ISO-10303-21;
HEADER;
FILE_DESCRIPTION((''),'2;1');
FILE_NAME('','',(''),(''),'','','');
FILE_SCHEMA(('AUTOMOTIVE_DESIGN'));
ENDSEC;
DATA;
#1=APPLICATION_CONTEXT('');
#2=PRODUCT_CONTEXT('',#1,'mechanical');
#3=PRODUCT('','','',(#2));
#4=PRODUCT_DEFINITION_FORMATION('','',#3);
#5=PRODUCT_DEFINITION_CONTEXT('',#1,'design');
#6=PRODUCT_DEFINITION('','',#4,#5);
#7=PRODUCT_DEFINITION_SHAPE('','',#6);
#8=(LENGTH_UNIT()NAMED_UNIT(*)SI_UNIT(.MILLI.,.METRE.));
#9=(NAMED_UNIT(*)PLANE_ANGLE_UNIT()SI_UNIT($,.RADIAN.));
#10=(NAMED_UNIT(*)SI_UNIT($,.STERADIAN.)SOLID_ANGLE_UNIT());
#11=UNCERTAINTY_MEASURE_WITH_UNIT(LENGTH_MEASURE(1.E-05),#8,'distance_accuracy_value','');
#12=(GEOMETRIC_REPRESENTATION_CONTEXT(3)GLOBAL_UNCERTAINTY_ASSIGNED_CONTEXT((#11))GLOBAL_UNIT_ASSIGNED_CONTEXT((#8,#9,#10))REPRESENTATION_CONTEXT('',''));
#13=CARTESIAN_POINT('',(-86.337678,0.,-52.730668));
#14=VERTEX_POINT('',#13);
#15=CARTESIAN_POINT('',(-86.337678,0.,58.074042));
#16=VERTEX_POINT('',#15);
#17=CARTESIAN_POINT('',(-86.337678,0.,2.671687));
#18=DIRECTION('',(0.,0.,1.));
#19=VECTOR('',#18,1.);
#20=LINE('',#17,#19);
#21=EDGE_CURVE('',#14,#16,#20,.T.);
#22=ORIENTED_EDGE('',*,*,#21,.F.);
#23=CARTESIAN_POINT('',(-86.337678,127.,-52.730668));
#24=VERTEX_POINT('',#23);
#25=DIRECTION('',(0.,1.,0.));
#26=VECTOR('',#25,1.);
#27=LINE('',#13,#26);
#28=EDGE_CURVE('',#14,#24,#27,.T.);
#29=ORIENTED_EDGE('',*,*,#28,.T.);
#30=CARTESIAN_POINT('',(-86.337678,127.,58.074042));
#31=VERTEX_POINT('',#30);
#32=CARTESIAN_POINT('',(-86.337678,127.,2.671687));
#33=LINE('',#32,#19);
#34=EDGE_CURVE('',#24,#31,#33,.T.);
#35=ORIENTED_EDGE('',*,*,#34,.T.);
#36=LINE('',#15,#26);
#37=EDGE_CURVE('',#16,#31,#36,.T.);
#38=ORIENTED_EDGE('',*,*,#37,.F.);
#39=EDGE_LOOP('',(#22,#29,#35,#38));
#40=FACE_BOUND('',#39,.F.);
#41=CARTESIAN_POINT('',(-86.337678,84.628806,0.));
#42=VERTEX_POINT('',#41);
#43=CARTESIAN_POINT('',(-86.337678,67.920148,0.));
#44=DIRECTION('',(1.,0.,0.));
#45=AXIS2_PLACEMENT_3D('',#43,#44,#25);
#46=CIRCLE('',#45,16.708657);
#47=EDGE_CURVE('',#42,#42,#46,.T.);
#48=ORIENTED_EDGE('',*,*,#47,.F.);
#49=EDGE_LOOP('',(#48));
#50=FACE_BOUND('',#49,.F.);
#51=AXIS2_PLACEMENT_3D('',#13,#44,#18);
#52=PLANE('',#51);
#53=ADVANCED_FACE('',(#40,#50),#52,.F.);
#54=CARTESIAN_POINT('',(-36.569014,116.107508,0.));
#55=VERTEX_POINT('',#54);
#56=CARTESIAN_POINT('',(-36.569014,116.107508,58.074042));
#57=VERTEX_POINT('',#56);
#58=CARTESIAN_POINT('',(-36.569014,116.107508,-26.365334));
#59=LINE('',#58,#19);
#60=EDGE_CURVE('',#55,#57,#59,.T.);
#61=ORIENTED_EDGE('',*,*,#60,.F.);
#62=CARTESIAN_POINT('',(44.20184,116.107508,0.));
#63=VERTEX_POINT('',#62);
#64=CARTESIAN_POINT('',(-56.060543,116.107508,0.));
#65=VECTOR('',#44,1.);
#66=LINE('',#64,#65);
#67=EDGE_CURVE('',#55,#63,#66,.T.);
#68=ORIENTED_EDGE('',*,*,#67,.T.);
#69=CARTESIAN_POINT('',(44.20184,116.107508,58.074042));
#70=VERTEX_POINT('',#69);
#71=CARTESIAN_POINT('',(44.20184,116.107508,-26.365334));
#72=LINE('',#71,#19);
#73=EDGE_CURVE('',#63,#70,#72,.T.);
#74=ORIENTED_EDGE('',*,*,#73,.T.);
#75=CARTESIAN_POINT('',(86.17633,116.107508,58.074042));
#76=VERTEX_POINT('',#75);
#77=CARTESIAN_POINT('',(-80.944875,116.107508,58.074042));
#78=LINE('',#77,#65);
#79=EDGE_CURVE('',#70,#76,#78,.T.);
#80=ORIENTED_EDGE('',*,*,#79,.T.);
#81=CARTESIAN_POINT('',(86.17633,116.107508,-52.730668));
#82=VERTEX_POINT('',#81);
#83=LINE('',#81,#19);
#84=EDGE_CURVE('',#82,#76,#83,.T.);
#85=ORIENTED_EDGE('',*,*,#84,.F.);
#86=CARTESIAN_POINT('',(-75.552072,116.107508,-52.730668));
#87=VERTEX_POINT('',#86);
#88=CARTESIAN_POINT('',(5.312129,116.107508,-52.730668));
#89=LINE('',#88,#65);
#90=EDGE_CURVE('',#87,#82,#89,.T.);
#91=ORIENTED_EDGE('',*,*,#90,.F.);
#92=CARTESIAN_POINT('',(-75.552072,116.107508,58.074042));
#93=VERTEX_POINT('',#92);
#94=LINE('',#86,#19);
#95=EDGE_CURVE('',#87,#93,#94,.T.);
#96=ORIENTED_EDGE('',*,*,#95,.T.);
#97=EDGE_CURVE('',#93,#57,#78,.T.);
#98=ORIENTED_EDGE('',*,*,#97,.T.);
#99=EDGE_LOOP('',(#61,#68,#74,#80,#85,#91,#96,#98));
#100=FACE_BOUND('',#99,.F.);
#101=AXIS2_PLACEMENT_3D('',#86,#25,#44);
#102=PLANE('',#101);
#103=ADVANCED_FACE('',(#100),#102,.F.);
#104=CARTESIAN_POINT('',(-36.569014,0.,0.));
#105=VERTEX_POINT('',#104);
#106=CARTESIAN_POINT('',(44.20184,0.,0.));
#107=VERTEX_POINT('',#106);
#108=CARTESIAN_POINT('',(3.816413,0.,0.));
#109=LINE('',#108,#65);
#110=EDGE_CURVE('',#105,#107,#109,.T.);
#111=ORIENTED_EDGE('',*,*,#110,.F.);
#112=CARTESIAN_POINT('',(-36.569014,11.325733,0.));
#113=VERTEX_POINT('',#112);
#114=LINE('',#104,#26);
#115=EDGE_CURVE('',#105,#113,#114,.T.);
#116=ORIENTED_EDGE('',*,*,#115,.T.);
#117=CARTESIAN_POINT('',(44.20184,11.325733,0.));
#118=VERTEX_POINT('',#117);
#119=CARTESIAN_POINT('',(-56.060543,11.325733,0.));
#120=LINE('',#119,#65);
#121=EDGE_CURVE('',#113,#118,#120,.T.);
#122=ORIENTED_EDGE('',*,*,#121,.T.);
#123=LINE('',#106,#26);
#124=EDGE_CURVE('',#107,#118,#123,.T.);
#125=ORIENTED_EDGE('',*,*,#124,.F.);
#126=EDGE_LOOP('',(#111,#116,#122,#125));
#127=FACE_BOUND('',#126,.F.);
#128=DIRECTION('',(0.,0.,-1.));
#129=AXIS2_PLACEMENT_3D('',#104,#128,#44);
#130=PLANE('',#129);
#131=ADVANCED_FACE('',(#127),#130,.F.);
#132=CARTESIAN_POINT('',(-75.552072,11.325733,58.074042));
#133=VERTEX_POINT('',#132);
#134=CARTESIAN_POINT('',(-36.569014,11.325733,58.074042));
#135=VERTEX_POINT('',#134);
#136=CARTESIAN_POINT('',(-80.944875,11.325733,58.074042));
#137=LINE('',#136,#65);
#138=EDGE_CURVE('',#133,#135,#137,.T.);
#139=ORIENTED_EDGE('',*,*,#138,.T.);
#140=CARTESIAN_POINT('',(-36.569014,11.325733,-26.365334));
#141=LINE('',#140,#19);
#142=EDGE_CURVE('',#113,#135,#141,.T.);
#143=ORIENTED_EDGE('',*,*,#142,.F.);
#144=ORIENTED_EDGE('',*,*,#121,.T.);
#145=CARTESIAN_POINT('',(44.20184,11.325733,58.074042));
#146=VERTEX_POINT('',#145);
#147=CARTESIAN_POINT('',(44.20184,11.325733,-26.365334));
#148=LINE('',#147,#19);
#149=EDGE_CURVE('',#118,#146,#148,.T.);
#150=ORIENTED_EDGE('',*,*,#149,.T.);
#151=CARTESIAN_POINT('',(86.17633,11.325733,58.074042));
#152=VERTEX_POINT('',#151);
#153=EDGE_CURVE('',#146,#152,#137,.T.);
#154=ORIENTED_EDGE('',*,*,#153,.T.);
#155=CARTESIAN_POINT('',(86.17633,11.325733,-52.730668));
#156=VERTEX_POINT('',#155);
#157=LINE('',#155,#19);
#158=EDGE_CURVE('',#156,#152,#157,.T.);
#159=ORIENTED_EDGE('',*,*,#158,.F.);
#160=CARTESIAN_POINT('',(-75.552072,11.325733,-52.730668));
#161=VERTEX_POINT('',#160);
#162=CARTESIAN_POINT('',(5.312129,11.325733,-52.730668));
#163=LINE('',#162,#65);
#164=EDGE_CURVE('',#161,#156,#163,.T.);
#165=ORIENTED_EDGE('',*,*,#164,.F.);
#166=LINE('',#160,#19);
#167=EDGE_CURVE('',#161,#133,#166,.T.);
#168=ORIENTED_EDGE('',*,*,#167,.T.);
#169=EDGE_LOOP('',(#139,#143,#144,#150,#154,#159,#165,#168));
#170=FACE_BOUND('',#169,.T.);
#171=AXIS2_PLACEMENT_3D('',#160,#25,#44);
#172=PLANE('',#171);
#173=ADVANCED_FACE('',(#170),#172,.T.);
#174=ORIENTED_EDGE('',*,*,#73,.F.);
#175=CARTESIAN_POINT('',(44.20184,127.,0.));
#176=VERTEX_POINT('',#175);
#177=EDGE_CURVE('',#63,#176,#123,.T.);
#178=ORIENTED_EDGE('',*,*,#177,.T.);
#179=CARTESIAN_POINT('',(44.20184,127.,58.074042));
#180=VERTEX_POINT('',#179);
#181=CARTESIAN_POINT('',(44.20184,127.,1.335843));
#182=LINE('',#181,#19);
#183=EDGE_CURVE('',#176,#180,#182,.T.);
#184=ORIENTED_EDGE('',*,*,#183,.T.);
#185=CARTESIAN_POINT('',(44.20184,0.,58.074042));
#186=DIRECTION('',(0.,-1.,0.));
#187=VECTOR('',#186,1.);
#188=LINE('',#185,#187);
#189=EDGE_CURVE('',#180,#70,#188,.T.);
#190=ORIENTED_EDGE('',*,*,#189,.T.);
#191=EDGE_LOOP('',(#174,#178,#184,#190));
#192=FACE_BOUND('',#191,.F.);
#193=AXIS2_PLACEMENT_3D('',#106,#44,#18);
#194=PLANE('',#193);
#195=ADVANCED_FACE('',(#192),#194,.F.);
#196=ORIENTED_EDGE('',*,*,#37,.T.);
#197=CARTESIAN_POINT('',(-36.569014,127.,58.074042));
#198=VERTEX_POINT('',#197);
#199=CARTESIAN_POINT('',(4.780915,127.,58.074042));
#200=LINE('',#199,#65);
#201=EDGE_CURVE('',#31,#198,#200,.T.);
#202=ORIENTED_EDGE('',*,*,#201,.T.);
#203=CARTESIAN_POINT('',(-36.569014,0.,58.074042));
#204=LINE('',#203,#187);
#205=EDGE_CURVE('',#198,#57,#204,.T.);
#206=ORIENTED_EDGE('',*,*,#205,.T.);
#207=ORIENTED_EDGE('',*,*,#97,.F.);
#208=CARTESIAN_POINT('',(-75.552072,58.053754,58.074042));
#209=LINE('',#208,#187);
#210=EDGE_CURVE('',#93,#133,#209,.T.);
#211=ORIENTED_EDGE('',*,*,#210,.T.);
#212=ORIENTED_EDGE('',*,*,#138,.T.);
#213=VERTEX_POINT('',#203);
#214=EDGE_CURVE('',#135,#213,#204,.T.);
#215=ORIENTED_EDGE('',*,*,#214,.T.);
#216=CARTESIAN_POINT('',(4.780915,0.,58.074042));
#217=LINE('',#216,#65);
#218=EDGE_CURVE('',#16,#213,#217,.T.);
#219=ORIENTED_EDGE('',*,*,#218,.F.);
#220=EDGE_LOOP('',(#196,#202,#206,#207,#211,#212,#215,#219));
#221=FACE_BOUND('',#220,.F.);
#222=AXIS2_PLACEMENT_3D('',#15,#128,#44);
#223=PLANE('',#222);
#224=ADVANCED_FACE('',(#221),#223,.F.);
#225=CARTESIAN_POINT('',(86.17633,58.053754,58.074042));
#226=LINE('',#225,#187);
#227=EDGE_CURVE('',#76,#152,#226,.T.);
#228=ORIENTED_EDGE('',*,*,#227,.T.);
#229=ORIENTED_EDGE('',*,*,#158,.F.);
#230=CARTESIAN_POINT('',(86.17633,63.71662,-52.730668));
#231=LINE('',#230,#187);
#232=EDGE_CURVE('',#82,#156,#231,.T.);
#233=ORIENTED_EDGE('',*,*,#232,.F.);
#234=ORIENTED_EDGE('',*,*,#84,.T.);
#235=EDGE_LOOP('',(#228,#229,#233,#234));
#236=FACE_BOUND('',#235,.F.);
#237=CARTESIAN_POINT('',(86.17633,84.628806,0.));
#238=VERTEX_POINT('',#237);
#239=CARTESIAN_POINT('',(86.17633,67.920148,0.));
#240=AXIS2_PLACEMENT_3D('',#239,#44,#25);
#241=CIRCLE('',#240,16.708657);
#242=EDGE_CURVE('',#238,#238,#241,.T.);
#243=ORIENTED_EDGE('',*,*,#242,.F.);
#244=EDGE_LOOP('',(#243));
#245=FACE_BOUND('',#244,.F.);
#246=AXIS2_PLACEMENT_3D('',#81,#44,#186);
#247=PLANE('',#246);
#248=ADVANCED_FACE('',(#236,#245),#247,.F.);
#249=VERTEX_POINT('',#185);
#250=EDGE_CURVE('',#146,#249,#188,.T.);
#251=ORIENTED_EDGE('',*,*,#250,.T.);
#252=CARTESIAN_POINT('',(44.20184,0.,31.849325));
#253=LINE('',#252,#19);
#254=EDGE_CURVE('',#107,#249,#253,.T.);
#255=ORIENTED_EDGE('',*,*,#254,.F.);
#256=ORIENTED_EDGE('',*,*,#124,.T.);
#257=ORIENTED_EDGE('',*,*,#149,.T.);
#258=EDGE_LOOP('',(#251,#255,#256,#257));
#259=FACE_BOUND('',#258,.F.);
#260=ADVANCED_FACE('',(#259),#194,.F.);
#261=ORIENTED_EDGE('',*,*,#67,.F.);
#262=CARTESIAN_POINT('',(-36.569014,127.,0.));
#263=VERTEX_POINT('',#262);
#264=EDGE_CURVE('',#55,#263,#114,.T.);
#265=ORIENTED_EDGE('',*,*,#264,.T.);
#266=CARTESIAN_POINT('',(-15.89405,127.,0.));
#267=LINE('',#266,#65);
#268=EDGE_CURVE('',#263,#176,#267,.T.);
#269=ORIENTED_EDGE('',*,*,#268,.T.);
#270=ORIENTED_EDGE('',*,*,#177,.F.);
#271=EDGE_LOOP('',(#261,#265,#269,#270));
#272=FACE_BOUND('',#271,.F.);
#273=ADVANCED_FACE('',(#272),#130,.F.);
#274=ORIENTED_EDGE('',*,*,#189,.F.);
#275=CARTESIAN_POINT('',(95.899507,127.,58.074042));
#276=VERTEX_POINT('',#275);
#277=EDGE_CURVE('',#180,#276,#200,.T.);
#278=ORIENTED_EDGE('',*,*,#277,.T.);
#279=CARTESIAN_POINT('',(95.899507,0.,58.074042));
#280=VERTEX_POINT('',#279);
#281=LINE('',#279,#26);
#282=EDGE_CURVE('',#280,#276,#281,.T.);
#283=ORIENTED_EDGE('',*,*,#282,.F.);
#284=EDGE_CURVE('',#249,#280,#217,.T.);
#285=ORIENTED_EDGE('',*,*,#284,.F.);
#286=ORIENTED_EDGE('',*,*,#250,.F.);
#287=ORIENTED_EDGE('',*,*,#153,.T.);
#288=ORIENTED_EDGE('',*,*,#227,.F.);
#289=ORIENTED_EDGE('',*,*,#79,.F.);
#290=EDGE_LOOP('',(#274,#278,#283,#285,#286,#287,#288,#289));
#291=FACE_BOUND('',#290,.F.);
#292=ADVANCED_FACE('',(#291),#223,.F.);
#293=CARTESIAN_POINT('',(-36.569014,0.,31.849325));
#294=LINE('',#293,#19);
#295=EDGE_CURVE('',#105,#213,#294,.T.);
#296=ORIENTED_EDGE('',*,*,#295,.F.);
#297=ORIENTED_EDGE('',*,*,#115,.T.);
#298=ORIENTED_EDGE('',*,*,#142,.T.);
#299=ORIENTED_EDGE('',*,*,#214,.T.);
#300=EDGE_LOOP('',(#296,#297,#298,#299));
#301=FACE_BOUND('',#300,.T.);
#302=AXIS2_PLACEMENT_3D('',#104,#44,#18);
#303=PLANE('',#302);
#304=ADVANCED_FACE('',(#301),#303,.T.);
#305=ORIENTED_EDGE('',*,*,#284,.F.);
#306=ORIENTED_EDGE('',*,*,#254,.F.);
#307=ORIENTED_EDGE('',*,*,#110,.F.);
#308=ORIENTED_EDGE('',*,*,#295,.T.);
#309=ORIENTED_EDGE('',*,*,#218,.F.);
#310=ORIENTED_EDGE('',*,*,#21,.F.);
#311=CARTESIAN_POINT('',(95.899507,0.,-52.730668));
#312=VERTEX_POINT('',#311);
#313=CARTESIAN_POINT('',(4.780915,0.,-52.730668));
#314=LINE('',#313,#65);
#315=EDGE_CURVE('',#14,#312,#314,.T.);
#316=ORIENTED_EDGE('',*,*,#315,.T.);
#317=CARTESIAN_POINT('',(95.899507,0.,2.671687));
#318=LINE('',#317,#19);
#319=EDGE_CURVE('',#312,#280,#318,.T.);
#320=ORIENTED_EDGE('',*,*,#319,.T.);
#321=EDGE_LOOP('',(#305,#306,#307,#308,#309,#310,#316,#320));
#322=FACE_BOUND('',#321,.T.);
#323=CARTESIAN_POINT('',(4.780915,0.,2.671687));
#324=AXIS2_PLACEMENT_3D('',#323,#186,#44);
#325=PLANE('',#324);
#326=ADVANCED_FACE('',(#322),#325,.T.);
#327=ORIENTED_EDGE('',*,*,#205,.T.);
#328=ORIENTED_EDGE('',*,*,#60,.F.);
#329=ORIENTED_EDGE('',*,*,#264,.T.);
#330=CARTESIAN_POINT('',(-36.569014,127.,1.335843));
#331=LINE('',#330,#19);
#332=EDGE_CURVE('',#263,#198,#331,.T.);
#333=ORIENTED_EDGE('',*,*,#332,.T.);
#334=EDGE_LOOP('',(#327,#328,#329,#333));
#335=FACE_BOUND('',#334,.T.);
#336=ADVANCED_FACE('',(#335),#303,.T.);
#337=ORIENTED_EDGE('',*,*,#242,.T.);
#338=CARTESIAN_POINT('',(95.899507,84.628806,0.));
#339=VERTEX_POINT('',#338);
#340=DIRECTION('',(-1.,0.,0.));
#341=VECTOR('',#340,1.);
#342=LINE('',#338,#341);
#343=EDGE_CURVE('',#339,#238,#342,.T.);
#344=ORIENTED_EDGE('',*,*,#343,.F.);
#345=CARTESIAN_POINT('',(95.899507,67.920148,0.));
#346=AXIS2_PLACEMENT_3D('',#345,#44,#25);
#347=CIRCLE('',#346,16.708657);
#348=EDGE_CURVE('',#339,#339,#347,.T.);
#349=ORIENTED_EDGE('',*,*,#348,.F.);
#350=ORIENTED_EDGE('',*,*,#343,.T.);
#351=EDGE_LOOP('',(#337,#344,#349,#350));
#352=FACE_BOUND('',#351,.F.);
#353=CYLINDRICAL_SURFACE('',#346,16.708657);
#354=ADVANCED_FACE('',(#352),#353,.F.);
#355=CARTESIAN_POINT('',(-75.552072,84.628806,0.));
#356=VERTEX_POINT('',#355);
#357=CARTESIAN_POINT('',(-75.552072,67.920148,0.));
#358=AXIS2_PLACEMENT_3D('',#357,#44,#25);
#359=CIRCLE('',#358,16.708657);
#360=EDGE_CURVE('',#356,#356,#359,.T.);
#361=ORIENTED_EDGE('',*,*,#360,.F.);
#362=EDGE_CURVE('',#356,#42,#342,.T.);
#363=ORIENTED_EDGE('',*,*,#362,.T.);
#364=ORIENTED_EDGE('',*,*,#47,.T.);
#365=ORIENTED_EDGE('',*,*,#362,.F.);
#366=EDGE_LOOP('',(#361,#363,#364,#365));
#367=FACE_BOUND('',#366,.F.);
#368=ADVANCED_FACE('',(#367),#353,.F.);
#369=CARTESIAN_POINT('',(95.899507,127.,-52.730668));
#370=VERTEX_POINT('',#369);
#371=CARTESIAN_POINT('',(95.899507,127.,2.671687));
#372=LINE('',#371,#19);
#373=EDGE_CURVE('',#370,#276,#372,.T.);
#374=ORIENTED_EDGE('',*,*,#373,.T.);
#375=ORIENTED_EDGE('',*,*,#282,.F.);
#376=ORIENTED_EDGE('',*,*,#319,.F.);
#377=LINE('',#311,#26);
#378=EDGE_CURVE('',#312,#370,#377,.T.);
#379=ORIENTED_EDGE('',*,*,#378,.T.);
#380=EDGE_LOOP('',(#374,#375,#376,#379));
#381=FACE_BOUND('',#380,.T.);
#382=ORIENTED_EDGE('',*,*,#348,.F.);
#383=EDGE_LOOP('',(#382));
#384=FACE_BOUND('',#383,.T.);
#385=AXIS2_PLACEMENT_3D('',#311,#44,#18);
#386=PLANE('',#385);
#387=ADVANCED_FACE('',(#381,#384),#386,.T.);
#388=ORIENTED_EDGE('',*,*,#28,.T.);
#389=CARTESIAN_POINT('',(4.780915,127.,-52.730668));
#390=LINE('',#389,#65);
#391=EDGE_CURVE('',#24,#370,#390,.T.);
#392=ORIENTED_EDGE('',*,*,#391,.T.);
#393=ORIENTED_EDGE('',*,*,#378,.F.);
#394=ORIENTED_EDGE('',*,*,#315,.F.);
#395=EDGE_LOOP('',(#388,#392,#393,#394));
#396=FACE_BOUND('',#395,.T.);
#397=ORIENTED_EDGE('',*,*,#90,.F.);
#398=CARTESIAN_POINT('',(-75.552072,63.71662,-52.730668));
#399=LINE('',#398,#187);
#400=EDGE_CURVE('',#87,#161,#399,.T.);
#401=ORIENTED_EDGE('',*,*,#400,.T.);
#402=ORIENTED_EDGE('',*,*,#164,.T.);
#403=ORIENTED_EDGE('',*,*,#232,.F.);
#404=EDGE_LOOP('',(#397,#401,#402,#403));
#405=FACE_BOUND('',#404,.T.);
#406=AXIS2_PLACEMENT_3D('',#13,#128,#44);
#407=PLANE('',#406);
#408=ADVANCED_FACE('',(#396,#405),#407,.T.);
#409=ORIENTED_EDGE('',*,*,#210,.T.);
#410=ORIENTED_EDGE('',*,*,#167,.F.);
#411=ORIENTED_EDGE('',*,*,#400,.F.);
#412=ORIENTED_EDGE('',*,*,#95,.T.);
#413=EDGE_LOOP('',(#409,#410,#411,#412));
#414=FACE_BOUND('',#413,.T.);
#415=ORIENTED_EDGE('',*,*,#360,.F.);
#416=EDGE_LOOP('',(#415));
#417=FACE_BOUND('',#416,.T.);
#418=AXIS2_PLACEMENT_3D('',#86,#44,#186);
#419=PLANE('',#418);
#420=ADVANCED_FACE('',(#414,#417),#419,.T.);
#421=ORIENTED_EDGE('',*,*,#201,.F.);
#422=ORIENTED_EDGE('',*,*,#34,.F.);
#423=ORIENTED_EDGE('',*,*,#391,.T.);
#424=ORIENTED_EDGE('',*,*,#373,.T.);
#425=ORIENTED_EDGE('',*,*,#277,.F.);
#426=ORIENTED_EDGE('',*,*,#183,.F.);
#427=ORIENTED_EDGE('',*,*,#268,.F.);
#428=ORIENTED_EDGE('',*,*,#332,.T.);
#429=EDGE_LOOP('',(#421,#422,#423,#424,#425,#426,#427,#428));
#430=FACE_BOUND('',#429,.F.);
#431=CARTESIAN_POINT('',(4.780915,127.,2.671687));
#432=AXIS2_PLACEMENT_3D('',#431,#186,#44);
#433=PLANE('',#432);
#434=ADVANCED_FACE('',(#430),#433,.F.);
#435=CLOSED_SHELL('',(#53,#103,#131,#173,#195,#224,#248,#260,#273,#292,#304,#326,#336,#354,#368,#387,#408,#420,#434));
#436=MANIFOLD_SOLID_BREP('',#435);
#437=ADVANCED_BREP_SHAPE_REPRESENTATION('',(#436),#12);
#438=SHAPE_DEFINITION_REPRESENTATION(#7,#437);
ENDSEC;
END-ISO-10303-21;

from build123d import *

# Parameters (mm, degrees)
F0_W     = 182.2371855378
F0_H     = 110.8047105372
F1_DEPTH = 127
F2_W     = 80.7708539069
F2_H     = 63.6986494064
F3_DEPTH = 127.001
F4_W     = 161.728402134
F4_H     = 104.781774804
F5_DEPTH = 110.8057105372
F6_R     = 16.7086573523
F7_DEPTH = 182.2381855378


with BuildPart() as f1:
    # F0 (on Front) → F1 (new body)
    with BuildSketch(Plane.XZ):
        with Locations((4.7809146345, 2.6716869324)):
            Rectangle(F0_W, F0_H)
    extrude(amount=-F1_DEPTH)

    # F2 (on Front) → F3 (cut, through all)
    with BuildSketch(Plane.XZ):
        with Locations((3.8164127618, 31.8493247032)):
            Rectangle(F2_W, F2_H)
    extrude(amount=-F3_DEPTH, mode=Mode.SUBTRACT)

    # F4 (on face) → F5 (cut, through all)
    with BuildSketch(Plane(origin=(0, 0, -52.7306683362), x_dir=(1, 0, 0), z_dir=(0, 0, -1))):
        with Locations((5.3121293895, -63.7166202068)):
            Rectangle(F4_W, F4_H)
    extrude(amount=-F5_DEPTH, mode=Mode.SUBTRACT)

    # F6 (on face) → F7 (cut, through all)
    with BuildSketch(Plane.YZ.offset(95.8995074034)):
        with Locations((67.9201483727, 0)):
            Circle(F6_R)
    extrude(amount=-F7_DEPTH, mode=Mode.SUBTRACT)


solid = f1.part
